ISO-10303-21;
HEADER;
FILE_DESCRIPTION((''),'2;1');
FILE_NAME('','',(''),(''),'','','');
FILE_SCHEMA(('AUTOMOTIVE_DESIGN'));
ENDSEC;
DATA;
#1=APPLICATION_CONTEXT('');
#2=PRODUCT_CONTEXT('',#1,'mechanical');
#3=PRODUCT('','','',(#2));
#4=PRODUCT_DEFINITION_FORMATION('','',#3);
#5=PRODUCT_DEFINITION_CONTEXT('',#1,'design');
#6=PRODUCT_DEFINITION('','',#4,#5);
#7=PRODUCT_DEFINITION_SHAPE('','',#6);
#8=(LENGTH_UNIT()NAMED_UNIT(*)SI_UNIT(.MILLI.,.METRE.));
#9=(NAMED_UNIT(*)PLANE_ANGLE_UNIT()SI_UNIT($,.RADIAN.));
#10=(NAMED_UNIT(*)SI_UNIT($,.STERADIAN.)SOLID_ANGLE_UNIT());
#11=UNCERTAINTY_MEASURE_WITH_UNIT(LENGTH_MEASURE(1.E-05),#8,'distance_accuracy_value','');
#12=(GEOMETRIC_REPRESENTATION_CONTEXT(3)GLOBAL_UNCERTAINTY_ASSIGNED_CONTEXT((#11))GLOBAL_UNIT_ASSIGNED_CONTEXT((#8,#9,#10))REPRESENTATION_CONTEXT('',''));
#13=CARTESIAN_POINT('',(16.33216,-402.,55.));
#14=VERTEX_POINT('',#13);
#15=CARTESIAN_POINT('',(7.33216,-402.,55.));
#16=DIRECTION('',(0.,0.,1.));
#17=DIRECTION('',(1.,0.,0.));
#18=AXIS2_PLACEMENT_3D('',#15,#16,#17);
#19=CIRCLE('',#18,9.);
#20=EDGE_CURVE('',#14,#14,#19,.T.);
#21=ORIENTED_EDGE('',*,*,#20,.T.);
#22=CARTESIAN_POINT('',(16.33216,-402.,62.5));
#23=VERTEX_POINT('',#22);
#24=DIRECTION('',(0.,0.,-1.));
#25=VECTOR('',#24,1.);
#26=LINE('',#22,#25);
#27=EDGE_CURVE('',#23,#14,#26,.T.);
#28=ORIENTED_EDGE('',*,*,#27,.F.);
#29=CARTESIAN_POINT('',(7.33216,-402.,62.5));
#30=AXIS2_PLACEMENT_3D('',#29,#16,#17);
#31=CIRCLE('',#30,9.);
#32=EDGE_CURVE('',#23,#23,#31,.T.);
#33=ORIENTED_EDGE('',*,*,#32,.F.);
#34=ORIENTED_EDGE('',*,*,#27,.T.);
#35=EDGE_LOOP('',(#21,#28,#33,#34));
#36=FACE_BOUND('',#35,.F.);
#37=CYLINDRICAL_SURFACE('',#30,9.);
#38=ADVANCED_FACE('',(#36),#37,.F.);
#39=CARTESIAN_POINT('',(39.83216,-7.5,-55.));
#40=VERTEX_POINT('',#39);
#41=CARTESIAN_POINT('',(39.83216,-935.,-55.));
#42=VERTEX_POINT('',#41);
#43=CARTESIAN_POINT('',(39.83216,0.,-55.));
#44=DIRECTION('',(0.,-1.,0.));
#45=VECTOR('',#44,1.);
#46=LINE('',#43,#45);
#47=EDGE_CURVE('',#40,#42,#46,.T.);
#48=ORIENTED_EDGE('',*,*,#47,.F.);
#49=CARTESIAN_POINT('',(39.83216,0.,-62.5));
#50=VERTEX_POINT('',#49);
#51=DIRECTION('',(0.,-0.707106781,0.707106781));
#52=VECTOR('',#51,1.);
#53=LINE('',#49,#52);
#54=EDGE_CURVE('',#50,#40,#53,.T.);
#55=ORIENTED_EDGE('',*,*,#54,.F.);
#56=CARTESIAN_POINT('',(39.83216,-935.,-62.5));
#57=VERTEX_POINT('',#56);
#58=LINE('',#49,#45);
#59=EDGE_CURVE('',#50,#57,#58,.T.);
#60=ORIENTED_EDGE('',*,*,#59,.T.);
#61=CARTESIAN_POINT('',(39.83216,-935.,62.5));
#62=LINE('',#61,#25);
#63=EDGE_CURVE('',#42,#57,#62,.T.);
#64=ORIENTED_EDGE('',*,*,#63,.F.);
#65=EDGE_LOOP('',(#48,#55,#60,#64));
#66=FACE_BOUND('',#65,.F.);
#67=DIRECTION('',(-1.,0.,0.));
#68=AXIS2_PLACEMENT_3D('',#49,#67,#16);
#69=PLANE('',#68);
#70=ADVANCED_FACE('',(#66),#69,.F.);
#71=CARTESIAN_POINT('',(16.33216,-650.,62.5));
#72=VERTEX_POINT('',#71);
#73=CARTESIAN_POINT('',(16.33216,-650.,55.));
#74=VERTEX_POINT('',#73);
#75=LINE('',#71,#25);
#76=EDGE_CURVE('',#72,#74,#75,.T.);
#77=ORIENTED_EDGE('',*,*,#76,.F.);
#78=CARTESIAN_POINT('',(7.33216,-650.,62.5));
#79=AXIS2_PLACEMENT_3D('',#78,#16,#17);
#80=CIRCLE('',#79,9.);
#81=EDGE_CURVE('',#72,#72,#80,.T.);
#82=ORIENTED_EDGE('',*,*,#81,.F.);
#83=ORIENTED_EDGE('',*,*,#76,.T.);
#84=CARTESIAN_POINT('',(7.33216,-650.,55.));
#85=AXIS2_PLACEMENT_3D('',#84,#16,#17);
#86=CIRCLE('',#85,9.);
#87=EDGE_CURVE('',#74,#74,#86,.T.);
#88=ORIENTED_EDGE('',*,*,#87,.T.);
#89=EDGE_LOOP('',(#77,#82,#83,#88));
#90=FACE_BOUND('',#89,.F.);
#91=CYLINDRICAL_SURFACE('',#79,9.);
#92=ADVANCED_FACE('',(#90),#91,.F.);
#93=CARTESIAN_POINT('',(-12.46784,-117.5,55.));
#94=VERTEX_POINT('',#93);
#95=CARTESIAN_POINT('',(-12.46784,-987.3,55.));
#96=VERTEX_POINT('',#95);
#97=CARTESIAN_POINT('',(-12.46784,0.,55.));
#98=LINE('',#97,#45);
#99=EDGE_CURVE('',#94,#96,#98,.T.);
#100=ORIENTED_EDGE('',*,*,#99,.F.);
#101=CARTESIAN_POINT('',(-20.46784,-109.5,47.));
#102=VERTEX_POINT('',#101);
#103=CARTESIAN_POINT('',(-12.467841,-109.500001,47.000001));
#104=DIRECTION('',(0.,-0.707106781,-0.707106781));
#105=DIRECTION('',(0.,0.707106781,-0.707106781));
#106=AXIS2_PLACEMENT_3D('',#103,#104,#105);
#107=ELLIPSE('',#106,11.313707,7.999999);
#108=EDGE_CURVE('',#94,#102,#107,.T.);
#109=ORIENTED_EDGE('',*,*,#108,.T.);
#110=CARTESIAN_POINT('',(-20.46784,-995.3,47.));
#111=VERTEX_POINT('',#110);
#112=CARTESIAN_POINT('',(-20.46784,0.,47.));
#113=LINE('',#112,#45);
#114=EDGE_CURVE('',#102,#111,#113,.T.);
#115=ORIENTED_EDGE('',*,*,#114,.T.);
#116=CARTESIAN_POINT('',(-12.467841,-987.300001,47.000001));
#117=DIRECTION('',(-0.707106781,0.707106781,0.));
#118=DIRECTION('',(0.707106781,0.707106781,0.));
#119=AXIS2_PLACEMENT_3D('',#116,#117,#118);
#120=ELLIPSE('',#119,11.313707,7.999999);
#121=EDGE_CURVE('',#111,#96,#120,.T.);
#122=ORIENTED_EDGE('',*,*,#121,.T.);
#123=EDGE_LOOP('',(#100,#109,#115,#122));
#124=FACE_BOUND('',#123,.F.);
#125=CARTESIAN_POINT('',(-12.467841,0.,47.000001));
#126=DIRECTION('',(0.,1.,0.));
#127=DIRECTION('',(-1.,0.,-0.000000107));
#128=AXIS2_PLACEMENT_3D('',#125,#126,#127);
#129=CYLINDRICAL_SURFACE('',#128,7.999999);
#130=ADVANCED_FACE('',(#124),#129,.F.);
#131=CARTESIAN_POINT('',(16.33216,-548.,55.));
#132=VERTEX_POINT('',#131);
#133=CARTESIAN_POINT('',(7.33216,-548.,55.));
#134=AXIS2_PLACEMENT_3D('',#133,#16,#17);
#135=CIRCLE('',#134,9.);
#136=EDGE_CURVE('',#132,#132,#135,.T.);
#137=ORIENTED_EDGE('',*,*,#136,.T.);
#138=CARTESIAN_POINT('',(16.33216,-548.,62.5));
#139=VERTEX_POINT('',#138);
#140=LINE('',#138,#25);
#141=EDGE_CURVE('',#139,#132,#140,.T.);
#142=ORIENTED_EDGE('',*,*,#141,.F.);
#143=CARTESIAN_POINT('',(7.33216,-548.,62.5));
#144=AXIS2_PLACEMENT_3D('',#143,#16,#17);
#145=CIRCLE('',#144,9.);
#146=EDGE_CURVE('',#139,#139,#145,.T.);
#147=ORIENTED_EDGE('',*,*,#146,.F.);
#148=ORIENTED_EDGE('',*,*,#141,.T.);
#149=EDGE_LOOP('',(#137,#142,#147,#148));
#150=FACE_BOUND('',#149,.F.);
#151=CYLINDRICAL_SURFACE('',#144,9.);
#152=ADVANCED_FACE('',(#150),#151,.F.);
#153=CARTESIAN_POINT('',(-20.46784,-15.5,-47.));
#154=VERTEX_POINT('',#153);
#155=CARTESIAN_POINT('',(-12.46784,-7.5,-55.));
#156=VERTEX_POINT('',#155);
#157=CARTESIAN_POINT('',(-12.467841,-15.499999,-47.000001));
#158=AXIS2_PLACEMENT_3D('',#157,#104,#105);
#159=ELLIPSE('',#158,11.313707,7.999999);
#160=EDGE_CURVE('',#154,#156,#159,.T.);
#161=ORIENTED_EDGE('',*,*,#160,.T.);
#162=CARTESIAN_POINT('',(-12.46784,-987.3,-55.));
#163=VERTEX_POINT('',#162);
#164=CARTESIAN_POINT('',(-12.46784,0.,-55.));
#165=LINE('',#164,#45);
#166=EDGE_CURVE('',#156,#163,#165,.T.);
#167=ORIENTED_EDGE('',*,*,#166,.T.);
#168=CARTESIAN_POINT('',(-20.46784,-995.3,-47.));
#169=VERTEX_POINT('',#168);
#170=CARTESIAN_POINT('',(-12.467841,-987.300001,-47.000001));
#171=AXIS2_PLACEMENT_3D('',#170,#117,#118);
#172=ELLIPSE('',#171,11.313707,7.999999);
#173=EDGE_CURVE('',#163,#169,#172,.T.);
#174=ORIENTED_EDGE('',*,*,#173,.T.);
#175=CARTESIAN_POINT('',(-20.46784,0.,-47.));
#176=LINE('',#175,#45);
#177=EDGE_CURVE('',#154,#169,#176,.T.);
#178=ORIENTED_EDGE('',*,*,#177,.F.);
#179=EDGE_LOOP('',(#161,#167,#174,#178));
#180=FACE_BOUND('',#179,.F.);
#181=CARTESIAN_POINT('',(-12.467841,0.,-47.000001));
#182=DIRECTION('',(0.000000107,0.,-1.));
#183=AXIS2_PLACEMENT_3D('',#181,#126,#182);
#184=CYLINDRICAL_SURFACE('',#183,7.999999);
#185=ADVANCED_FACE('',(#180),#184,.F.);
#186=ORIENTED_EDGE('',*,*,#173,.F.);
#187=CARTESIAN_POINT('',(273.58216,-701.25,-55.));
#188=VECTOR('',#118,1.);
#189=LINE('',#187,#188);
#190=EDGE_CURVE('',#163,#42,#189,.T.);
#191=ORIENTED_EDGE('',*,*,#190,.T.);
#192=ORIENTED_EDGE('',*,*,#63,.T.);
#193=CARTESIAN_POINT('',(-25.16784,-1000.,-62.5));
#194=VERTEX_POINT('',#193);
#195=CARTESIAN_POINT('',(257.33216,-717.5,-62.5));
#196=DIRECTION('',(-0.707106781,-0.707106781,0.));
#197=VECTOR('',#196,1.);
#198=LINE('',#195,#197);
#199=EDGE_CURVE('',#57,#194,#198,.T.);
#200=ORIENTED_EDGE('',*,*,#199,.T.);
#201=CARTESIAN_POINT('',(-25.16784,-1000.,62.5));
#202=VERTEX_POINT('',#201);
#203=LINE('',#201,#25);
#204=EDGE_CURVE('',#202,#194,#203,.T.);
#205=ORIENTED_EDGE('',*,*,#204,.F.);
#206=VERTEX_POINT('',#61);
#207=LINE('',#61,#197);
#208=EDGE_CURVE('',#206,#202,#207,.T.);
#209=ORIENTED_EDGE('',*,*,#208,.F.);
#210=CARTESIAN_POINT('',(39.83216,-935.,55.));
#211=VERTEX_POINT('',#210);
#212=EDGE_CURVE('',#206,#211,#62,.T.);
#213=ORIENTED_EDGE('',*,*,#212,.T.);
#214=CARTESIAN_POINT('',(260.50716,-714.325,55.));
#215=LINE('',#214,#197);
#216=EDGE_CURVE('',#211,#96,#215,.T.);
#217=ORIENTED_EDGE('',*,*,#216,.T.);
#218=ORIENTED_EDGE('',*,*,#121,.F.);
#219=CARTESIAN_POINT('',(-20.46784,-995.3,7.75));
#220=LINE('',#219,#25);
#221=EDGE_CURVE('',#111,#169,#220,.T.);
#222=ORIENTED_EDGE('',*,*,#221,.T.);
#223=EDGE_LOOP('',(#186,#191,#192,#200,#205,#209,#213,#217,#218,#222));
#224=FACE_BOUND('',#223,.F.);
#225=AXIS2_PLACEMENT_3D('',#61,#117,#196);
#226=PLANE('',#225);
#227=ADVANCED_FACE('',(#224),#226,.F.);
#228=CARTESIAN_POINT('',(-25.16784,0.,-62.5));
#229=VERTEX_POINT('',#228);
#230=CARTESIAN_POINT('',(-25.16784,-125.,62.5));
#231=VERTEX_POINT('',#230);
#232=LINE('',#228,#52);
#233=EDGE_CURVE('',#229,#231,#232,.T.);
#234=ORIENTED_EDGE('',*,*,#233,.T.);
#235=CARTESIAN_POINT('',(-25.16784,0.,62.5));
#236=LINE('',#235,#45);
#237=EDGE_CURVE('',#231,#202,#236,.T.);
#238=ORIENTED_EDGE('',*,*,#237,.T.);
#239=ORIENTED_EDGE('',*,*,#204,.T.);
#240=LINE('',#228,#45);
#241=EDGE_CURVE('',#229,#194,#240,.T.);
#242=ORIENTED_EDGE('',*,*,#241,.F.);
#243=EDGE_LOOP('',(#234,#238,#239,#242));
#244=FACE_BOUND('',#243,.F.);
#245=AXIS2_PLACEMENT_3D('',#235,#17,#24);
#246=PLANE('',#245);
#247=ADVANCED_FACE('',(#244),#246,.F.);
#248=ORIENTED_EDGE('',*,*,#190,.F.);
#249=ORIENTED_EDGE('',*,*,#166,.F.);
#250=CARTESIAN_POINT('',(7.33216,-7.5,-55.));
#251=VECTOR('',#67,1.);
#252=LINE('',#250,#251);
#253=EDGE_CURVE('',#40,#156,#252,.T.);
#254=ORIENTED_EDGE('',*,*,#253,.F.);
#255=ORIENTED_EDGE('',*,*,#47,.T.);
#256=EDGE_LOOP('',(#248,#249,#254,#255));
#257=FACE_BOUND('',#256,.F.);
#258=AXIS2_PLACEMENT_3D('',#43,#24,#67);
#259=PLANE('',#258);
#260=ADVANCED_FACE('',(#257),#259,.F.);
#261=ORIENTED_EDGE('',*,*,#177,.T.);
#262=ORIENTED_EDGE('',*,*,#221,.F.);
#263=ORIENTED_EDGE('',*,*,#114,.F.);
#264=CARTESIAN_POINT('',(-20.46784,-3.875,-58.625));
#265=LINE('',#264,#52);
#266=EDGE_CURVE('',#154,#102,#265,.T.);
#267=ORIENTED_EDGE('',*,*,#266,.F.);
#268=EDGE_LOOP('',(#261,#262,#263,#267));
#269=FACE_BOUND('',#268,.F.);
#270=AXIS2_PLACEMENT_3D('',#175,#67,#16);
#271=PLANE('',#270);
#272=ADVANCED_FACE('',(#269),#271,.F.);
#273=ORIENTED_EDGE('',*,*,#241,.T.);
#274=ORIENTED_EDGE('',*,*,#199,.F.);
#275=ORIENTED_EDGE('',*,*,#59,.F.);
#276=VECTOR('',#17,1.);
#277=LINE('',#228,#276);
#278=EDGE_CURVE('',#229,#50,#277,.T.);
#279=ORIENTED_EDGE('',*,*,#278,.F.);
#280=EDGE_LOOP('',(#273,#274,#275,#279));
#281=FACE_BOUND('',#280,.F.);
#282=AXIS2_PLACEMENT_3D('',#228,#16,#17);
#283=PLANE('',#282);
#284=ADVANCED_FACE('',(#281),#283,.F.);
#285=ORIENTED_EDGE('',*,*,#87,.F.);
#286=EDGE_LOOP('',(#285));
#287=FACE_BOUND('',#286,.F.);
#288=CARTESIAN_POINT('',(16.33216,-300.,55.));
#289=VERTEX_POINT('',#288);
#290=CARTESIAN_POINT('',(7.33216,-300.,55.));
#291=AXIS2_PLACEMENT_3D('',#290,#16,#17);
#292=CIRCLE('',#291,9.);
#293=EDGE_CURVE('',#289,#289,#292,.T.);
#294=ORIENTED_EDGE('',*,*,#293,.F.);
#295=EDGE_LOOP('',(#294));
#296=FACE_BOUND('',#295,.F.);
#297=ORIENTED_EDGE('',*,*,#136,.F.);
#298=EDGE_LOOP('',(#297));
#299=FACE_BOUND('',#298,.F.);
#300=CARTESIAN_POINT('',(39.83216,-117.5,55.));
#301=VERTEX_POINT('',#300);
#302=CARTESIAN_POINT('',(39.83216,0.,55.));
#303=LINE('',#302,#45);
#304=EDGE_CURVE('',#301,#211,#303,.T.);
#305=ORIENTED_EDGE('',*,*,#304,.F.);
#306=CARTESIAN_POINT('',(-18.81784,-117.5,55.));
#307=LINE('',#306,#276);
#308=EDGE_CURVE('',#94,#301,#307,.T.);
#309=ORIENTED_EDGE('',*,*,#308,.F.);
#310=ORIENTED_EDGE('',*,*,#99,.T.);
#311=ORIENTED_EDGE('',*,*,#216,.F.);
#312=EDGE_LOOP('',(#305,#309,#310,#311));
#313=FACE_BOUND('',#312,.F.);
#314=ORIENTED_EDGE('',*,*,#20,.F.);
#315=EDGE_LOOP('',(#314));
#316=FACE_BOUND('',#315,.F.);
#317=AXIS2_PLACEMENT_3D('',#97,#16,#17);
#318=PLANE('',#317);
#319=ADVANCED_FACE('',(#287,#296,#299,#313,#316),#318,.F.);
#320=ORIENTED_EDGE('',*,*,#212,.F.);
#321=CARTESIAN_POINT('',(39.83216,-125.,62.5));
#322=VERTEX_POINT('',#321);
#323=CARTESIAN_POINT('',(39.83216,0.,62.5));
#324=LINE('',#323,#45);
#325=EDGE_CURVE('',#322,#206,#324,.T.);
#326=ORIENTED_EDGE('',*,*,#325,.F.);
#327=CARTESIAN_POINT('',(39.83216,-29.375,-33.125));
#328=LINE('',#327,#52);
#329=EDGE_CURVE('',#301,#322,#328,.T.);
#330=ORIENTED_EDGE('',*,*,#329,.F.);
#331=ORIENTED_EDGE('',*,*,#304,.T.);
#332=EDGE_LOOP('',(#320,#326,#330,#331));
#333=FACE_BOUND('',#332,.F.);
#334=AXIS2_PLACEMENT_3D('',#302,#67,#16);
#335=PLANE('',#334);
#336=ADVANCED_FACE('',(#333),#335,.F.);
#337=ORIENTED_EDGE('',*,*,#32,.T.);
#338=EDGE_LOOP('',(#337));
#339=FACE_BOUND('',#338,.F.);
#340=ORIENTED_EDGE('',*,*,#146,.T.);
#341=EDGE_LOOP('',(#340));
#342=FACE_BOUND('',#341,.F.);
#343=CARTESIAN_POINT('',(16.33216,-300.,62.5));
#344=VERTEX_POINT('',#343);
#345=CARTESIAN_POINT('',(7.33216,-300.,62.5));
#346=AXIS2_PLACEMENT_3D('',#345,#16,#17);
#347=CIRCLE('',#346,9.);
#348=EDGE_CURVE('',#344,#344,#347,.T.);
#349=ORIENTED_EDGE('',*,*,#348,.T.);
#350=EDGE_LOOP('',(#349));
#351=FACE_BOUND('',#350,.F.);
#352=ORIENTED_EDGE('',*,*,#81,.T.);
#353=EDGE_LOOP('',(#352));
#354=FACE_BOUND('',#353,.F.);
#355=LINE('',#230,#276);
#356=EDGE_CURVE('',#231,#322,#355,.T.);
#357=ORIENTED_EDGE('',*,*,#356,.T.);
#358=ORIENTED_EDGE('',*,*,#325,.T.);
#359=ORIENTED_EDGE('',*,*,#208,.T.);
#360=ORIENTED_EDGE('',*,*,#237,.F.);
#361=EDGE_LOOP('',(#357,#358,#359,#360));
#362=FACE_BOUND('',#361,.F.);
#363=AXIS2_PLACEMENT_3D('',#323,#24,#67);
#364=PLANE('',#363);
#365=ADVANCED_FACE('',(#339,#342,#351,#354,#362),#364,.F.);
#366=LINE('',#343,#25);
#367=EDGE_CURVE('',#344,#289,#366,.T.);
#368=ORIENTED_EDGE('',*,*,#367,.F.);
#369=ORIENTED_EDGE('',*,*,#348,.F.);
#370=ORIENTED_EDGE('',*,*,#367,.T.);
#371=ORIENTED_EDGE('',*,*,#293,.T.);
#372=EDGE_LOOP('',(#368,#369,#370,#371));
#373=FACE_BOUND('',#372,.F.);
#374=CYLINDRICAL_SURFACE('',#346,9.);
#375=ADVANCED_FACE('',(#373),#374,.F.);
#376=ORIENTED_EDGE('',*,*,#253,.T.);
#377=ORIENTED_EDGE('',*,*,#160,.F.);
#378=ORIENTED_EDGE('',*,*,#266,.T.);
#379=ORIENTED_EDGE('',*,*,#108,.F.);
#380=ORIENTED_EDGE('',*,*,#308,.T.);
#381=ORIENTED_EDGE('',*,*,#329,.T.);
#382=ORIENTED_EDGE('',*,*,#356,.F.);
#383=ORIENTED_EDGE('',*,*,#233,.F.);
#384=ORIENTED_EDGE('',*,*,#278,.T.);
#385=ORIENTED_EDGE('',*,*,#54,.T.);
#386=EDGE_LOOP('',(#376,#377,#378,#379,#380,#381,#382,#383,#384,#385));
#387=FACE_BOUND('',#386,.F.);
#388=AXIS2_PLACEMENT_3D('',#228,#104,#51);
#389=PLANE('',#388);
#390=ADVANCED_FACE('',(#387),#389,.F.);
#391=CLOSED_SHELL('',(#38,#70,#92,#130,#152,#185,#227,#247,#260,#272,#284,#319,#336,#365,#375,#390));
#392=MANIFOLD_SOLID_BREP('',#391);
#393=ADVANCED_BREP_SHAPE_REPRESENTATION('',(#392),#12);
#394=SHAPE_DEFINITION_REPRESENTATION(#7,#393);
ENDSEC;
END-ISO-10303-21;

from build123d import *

# Parameters (mm, degrees)
F1_DEPTH = 1000
F3_DEPTH = 65.001
F5_DEPTH = 125.001
F6_R     = 9
F7_DEPTH = 7.5
F8_R     = 9
F9_DEPTH = 7.5


with BuildPart() as f1:
    # F0 (on Front) → F1 (new body)
    with BuildSketch(Plane.XZ):
        with BuildLine():
            Line((-25.16784, 62.5), (-25.16784, -62.5))
            Line((-25.16784, -62.5), (39.83216, -62.5))
            Line((39.83216, -62.5), (39.83216, -55))
            Line((39.83216, -55), (-12.46784, -55))
            ThreePointArc((-12.46784, -55), (-18.124695, -52.656854), (-20.46784, -47))
            Line((-20.46784, -47), (-20.46784, 47))
            ThreePointArc((-20.46784, 47), (-18.124695, 52.656854), (-12.46784, 55))
            Line((-12.46784, 55), (39.83216, 55))
            Line((39.83216, 55), (39.83216, 62.5))
            Line((39.83216, 62.5), (-25.16784, 62.5))
        make_face()
    extrude(amount=F1_DEPTH)

    # F2 (on face) → F3 (cut, through all)
    with BuildSketch(Plane(origin=(-25.16784, 0, 0), x_dir=(0, -1, 0), z_dir=(-1, 0, 0))):
        Polygon((125, 62.5), (0, 62.5), (0, -62.5), align=None)
    extrude(amount=-F3_DEPTH, mode=Mode.SUBTRACT)

    # F4 (on face) → F5 (cut, through all)
    with BuildSketch(Plane.XY.offset(62.5)):
        Polygon((-25.16784, -1000), (39.83216, -1000), (39.83216, -935), align=None)
    extrude(amount=-F5_DEPTH, mode=Mode.SUBTRACT)

    # F6 (on face) → F7 (cut, through all)
    with BuildSketch(Plane.XY.offset(62.5)):
        with Locations((7.33216, -548)):
            Circle(F6_R)
        with Locations((7.33216, -650)):
            Circle(F6_R)
    extrude(amount=-F7_DEPTH, mode=Mode.SUBTRACT)

    # F8 (on face) → F9 (cut, through all)
    with BuildSketch(Plane.XY.offset(62.5)):
        with Locations((7.33216, -300)):
            Circle(F8_R)
        with Locations((7.33216, -402)):
            Circle(F8_R)
    extrude(amount=-F9_DEPTH, mode=Mode.SUBTRACT)


solid = f1.part
